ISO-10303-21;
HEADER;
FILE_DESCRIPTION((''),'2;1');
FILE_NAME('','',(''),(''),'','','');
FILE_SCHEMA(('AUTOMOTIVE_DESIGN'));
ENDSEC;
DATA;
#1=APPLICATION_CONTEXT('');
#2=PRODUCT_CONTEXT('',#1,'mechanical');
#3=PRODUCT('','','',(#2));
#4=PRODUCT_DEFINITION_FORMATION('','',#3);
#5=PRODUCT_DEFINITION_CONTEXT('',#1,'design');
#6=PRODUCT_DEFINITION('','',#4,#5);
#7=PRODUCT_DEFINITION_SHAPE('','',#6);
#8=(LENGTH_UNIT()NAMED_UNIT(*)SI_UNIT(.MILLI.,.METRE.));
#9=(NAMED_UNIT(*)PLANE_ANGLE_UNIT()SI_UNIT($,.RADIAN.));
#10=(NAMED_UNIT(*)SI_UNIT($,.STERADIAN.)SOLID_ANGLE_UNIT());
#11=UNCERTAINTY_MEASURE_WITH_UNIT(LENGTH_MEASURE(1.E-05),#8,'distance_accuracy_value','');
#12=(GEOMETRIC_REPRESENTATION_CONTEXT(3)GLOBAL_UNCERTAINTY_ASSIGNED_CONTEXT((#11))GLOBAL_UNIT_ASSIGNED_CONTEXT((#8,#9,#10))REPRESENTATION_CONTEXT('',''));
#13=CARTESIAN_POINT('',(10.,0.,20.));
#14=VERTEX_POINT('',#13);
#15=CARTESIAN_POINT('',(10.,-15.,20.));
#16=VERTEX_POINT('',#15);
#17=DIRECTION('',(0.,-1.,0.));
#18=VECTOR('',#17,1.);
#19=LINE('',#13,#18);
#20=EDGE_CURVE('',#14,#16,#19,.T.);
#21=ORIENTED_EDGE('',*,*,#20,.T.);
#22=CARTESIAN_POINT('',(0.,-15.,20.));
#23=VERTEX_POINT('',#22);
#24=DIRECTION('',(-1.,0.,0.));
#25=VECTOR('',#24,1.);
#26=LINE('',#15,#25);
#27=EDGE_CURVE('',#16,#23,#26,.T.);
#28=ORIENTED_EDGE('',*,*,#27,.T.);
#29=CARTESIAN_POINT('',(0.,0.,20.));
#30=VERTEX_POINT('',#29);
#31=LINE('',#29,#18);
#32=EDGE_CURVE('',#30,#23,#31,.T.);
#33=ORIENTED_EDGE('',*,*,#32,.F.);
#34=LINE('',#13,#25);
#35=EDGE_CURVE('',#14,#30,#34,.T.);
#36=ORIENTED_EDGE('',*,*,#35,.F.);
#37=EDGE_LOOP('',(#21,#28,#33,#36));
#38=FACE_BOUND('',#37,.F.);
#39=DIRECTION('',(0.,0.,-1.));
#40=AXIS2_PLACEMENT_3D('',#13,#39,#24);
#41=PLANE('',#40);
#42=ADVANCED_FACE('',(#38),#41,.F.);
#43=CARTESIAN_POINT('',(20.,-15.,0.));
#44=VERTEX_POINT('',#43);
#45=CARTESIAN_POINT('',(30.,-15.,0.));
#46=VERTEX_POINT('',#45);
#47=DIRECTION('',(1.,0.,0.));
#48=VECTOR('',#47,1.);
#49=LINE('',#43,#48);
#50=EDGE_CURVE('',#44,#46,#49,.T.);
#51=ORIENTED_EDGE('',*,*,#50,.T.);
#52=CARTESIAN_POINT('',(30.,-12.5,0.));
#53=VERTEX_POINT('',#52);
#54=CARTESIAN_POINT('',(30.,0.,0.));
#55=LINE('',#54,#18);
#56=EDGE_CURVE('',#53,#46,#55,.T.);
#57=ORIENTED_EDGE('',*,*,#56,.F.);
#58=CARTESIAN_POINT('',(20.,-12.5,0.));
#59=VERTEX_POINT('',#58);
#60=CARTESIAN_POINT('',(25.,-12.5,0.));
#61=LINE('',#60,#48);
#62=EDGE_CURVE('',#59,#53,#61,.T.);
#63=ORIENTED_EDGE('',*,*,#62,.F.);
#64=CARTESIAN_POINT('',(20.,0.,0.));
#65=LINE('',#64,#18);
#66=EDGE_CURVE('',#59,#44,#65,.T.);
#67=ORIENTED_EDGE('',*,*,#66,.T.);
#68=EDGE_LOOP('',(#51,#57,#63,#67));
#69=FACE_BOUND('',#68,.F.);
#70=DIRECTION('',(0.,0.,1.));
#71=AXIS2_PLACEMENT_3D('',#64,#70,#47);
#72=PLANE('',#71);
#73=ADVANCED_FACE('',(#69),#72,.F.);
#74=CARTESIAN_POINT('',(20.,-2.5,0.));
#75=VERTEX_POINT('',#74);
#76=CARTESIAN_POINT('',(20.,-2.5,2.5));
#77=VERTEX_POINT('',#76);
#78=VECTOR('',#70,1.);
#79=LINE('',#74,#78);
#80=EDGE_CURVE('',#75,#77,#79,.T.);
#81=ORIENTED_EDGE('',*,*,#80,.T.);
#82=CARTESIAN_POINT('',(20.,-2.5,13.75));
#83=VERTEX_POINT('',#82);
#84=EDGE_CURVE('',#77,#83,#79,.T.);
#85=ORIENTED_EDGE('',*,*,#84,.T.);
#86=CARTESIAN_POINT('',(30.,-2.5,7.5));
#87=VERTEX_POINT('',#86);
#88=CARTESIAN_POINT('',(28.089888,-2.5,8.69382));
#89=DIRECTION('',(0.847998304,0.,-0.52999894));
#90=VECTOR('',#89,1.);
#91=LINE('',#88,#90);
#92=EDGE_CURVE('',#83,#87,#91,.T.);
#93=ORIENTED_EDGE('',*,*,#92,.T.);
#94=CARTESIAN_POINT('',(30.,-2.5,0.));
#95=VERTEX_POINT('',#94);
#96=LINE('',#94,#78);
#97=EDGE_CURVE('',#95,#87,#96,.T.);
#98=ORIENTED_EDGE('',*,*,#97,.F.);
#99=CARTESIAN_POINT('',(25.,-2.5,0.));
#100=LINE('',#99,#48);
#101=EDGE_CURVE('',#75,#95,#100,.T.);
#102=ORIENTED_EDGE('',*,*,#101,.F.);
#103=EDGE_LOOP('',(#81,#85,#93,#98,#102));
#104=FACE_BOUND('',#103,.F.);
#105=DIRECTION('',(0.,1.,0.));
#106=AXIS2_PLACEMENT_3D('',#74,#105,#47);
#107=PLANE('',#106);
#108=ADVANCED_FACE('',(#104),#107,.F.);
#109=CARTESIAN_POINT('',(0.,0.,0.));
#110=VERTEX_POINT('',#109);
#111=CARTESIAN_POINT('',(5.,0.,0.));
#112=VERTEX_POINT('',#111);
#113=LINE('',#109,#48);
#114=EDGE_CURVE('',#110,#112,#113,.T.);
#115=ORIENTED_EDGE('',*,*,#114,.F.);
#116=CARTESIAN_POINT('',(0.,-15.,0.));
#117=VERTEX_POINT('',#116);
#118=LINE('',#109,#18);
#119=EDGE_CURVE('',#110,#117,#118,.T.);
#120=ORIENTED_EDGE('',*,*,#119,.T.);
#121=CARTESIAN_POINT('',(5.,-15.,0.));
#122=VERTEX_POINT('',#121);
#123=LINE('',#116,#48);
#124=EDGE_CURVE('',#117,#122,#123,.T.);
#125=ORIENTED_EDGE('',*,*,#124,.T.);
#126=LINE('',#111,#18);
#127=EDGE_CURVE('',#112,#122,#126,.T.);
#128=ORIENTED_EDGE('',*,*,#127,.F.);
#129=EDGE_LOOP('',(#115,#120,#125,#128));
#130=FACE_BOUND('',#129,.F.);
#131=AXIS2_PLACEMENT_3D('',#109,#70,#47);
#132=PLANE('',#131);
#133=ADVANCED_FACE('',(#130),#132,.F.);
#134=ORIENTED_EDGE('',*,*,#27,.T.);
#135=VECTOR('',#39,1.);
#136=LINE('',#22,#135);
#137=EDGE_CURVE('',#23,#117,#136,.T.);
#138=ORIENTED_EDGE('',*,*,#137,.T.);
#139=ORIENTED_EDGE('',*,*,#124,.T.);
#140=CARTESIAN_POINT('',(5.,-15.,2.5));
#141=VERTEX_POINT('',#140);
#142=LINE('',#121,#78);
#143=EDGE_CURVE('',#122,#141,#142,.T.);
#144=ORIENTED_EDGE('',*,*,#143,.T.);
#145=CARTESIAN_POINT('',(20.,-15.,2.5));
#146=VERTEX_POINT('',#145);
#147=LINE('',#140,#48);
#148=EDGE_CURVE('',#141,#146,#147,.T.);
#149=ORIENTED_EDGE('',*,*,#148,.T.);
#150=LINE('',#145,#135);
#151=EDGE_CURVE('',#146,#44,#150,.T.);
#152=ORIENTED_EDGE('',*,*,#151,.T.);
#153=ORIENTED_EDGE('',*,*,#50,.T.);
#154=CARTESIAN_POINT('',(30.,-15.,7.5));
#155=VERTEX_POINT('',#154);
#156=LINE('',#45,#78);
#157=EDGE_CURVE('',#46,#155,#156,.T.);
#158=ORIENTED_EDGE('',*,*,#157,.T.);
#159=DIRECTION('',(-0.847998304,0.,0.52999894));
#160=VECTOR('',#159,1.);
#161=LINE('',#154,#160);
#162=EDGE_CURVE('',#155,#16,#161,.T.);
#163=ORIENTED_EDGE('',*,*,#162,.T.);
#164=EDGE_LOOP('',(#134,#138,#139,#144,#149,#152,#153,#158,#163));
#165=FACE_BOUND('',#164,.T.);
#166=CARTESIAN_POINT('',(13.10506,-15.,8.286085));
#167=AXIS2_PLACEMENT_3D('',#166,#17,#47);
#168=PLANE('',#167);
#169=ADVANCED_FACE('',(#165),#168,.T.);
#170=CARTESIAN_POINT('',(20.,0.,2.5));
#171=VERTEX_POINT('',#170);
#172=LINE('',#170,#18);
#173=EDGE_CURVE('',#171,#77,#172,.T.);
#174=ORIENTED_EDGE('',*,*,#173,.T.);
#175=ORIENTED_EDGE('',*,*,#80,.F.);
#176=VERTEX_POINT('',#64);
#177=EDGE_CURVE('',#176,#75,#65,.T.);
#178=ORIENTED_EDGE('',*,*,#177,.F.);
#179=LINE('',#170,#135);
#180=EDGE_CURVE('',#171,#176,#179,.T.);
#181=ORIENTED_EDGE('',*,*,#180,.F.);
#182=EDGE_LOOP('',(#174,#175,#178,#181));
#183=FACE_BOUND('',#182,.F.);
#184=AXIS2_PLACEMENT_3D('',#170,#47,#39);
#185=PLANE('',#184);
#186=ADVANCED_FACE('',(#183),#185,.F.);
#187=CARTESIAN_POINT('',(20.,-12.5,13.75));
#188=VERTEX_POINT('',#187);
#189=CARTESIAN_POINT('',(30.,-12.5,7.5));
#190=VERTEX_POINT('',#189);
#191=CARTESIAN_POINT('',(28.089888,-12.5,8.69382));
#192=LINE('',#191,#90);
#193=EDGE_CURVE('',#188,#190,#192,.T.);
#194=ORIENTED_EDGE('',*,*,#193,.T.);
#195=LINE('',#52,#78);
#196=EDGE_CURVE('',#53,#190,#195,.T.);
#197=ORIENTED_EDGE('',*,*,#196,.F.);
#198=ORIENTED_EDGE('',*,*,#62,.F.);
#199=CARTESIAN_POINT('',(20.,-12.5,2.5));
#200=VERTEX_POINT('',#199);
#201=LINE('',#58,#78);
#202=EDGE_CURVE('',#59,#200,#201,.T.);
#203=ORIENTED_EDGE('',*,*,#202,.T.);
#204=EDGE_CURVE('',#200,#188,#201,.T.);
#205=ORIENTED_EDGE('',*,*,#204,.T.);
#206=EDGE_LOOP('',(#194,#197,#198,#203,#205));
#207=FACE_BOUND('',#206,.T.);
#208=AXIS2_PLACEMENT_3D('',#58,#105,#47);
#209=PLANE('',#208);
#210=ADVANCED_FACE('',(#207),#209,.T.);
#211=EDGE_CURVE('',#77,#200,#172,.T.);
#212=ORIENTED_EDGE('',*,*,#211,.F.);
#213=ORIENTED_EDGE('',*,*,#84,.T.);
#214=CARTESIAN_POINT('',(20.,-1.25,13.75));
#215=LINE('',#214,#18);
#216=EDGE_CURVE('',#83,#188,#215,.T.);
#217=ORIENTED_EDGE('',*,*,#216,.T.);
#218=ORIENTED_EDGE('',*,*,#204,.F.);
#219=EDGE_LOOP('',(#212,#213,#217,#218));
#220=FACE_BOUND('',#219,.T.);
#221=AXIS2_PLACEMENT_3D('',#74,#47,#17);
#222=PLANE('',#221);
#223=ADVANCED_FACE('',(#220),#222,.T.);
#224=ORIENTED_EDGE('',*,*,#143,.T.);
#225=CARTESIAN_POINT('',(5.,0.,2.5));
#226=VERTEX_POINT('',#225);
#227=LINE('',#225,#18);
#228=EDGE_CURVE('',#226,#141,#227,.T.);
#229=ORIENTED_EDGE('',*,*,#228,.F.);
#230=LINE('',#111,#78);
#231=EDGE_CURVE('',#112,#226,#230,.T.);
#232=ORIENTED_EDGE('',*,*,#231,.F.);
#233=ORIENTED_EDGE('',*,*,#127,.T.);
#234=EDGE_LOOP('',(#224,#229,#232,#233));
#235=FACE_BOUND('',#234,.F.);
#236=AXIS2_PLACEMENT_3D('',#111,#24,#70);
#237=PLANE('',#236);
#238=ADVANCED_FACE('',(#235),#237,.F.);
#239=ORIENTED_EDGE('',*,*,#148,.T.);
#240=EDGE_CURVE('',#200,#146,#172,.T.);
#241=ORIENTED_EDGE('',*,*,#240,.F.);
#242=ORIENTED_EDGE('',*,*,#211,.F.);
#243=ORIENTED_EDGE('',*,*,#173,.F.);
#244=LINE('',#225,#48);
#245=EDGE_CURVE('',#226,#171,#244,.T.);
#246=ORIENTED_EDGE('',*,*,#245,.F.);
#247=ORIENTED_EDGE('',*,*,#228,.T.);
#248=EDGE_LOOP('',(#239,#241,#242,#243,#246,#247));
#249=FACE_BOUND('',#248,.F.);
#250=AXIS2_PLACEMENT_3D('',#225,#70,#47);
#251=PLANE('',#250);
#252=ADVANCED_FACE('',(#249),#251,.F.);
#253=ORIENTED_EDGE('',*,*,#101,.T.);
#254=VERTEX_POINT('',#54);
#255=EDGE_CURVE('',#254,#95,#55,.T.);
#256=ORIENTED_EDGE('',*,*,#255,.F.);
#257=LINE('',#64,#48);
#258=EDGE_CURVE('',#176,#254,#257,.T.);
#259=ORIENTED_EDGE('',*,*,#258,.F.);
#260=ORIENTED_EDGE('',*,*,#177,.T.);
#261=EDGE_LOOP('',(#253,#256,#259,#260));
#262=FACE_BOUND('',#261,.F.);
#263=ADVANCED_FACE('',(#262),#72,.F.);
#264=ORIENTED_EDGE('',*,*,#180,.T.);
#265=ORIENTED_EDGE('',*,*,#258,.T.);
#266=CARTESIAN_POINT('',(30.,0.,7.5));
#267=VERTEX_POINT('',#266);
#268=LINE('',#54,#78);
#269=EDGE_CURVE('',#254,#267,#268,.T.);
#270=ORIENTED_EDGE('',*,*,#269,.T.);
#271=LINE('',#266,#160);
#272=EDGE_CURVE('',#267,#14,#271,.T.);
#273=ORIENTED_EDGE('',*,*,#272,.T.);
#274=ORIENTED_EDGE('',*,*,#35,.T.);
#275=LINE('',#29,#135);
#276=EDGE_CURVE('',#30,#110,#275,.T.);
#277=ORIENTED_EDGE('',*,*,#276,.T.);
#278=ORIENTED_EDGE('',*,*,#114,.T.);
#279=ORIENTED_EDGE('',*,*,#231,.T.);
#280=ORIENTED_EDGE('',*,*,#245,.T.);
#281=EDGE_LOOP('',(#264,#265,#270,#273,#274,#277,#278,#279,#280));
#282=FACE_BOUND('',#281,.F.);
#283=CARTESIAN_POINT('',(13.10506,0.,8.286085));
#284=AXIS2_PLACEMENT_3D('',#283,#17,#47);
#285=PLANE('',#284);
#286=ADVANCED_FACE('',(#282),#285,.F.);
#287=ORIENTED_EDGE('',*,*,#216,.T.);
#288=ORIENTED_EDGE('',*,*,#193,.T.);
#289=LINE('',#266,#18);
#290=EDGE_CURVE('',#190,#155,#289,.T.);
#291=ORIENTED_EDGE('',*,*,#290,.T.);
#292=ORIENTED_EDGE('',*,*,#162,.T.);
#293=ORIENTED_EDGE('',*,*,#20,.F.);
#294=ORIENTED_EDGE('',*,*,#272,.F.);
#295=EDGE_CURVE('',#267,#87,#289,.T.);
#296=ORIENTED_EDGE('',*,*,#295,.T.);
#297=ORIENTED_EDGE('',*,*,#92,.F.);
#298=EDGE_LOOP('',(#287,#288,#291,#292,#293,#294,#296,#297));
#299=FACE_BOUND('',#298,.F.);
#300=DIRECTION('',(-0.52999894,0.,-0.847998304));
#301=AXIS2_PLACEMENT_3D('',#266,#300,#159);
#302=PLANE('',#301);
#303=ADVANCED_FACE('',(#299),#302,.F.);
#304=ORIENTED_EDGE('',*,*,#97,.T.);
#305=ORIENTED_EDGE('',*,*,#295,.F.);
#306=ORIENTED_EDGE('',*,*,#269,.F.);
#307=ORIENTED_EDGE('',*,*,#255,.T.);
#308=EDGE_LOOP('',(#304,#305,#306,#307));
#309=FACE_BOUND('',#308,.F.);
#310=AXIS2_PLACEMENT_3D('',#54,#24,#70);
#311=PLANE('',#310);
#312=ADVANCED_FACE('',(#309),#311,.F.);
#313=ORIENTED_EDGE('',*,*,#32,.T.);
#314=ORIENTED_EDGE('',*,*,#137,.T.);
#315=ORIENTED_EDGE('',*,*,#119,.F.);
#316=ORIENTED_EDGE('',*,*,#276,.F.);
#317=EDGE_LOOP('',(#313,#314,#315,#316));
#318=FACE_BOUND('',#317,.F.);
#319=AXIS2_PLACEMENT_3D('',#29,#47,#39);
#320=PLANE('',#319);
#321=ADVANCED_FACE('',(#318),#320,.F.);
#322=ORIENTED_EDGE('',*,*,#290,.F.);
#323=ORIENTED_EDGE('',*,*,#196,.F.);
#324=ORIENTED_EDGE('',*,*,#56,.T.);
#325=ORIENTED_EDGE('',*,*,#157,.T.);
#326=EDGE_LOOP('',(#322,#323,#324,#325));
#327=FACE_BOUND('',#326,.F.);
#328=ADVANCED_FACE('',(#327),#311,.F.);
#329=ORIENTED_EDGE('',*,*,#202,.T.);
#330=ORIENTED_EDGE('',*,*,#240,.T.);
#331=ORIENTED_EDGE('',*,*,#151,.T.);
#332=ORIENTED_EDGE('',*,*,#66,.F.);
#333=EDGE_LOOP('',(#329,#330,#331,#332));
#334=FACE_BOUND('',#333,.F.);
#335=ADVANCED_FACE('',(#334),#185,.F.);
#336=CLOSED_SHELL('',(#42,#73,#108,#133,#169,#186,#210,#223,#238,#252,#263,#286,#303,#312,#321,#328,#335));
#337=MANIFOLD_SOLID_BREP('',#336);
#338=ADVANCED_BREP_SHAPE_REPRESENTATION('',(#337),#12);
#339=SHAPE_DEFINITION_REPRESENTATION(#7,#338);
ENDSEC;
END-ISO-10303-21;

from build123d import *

# Parameters (mm, degrees)
F1_DEPTH = 15
F2_W     = 10
F2_H     = 10
F3_DEPTH = 25


with BuildPart() as f1:
    # F0 (on Front) → F1 (new body)
    with BuildSketch(Plane.XZ):
        Polygon((0, 20), (0, 0), (5, 0), (5, 2.5), (20, 2.5), (20, 0), (30, 0), (30, 7.5), (10, 20), align=None)
    extrude(amount=F1_DEPTH)

    # F2 (on face) → F3 (cut)
    with BuildSketch(Plane(origin=(0, 0, 0), x_dir=(1, 0, 0), z_dir=(0, 0, -1))):
        with Locations((25, 7.5)):
            Rectangle(F2_W, F2_H)
    extrude(amount=-F3_DEPTH, mode=Mode.SUBTRACT)


solid = f1.part
